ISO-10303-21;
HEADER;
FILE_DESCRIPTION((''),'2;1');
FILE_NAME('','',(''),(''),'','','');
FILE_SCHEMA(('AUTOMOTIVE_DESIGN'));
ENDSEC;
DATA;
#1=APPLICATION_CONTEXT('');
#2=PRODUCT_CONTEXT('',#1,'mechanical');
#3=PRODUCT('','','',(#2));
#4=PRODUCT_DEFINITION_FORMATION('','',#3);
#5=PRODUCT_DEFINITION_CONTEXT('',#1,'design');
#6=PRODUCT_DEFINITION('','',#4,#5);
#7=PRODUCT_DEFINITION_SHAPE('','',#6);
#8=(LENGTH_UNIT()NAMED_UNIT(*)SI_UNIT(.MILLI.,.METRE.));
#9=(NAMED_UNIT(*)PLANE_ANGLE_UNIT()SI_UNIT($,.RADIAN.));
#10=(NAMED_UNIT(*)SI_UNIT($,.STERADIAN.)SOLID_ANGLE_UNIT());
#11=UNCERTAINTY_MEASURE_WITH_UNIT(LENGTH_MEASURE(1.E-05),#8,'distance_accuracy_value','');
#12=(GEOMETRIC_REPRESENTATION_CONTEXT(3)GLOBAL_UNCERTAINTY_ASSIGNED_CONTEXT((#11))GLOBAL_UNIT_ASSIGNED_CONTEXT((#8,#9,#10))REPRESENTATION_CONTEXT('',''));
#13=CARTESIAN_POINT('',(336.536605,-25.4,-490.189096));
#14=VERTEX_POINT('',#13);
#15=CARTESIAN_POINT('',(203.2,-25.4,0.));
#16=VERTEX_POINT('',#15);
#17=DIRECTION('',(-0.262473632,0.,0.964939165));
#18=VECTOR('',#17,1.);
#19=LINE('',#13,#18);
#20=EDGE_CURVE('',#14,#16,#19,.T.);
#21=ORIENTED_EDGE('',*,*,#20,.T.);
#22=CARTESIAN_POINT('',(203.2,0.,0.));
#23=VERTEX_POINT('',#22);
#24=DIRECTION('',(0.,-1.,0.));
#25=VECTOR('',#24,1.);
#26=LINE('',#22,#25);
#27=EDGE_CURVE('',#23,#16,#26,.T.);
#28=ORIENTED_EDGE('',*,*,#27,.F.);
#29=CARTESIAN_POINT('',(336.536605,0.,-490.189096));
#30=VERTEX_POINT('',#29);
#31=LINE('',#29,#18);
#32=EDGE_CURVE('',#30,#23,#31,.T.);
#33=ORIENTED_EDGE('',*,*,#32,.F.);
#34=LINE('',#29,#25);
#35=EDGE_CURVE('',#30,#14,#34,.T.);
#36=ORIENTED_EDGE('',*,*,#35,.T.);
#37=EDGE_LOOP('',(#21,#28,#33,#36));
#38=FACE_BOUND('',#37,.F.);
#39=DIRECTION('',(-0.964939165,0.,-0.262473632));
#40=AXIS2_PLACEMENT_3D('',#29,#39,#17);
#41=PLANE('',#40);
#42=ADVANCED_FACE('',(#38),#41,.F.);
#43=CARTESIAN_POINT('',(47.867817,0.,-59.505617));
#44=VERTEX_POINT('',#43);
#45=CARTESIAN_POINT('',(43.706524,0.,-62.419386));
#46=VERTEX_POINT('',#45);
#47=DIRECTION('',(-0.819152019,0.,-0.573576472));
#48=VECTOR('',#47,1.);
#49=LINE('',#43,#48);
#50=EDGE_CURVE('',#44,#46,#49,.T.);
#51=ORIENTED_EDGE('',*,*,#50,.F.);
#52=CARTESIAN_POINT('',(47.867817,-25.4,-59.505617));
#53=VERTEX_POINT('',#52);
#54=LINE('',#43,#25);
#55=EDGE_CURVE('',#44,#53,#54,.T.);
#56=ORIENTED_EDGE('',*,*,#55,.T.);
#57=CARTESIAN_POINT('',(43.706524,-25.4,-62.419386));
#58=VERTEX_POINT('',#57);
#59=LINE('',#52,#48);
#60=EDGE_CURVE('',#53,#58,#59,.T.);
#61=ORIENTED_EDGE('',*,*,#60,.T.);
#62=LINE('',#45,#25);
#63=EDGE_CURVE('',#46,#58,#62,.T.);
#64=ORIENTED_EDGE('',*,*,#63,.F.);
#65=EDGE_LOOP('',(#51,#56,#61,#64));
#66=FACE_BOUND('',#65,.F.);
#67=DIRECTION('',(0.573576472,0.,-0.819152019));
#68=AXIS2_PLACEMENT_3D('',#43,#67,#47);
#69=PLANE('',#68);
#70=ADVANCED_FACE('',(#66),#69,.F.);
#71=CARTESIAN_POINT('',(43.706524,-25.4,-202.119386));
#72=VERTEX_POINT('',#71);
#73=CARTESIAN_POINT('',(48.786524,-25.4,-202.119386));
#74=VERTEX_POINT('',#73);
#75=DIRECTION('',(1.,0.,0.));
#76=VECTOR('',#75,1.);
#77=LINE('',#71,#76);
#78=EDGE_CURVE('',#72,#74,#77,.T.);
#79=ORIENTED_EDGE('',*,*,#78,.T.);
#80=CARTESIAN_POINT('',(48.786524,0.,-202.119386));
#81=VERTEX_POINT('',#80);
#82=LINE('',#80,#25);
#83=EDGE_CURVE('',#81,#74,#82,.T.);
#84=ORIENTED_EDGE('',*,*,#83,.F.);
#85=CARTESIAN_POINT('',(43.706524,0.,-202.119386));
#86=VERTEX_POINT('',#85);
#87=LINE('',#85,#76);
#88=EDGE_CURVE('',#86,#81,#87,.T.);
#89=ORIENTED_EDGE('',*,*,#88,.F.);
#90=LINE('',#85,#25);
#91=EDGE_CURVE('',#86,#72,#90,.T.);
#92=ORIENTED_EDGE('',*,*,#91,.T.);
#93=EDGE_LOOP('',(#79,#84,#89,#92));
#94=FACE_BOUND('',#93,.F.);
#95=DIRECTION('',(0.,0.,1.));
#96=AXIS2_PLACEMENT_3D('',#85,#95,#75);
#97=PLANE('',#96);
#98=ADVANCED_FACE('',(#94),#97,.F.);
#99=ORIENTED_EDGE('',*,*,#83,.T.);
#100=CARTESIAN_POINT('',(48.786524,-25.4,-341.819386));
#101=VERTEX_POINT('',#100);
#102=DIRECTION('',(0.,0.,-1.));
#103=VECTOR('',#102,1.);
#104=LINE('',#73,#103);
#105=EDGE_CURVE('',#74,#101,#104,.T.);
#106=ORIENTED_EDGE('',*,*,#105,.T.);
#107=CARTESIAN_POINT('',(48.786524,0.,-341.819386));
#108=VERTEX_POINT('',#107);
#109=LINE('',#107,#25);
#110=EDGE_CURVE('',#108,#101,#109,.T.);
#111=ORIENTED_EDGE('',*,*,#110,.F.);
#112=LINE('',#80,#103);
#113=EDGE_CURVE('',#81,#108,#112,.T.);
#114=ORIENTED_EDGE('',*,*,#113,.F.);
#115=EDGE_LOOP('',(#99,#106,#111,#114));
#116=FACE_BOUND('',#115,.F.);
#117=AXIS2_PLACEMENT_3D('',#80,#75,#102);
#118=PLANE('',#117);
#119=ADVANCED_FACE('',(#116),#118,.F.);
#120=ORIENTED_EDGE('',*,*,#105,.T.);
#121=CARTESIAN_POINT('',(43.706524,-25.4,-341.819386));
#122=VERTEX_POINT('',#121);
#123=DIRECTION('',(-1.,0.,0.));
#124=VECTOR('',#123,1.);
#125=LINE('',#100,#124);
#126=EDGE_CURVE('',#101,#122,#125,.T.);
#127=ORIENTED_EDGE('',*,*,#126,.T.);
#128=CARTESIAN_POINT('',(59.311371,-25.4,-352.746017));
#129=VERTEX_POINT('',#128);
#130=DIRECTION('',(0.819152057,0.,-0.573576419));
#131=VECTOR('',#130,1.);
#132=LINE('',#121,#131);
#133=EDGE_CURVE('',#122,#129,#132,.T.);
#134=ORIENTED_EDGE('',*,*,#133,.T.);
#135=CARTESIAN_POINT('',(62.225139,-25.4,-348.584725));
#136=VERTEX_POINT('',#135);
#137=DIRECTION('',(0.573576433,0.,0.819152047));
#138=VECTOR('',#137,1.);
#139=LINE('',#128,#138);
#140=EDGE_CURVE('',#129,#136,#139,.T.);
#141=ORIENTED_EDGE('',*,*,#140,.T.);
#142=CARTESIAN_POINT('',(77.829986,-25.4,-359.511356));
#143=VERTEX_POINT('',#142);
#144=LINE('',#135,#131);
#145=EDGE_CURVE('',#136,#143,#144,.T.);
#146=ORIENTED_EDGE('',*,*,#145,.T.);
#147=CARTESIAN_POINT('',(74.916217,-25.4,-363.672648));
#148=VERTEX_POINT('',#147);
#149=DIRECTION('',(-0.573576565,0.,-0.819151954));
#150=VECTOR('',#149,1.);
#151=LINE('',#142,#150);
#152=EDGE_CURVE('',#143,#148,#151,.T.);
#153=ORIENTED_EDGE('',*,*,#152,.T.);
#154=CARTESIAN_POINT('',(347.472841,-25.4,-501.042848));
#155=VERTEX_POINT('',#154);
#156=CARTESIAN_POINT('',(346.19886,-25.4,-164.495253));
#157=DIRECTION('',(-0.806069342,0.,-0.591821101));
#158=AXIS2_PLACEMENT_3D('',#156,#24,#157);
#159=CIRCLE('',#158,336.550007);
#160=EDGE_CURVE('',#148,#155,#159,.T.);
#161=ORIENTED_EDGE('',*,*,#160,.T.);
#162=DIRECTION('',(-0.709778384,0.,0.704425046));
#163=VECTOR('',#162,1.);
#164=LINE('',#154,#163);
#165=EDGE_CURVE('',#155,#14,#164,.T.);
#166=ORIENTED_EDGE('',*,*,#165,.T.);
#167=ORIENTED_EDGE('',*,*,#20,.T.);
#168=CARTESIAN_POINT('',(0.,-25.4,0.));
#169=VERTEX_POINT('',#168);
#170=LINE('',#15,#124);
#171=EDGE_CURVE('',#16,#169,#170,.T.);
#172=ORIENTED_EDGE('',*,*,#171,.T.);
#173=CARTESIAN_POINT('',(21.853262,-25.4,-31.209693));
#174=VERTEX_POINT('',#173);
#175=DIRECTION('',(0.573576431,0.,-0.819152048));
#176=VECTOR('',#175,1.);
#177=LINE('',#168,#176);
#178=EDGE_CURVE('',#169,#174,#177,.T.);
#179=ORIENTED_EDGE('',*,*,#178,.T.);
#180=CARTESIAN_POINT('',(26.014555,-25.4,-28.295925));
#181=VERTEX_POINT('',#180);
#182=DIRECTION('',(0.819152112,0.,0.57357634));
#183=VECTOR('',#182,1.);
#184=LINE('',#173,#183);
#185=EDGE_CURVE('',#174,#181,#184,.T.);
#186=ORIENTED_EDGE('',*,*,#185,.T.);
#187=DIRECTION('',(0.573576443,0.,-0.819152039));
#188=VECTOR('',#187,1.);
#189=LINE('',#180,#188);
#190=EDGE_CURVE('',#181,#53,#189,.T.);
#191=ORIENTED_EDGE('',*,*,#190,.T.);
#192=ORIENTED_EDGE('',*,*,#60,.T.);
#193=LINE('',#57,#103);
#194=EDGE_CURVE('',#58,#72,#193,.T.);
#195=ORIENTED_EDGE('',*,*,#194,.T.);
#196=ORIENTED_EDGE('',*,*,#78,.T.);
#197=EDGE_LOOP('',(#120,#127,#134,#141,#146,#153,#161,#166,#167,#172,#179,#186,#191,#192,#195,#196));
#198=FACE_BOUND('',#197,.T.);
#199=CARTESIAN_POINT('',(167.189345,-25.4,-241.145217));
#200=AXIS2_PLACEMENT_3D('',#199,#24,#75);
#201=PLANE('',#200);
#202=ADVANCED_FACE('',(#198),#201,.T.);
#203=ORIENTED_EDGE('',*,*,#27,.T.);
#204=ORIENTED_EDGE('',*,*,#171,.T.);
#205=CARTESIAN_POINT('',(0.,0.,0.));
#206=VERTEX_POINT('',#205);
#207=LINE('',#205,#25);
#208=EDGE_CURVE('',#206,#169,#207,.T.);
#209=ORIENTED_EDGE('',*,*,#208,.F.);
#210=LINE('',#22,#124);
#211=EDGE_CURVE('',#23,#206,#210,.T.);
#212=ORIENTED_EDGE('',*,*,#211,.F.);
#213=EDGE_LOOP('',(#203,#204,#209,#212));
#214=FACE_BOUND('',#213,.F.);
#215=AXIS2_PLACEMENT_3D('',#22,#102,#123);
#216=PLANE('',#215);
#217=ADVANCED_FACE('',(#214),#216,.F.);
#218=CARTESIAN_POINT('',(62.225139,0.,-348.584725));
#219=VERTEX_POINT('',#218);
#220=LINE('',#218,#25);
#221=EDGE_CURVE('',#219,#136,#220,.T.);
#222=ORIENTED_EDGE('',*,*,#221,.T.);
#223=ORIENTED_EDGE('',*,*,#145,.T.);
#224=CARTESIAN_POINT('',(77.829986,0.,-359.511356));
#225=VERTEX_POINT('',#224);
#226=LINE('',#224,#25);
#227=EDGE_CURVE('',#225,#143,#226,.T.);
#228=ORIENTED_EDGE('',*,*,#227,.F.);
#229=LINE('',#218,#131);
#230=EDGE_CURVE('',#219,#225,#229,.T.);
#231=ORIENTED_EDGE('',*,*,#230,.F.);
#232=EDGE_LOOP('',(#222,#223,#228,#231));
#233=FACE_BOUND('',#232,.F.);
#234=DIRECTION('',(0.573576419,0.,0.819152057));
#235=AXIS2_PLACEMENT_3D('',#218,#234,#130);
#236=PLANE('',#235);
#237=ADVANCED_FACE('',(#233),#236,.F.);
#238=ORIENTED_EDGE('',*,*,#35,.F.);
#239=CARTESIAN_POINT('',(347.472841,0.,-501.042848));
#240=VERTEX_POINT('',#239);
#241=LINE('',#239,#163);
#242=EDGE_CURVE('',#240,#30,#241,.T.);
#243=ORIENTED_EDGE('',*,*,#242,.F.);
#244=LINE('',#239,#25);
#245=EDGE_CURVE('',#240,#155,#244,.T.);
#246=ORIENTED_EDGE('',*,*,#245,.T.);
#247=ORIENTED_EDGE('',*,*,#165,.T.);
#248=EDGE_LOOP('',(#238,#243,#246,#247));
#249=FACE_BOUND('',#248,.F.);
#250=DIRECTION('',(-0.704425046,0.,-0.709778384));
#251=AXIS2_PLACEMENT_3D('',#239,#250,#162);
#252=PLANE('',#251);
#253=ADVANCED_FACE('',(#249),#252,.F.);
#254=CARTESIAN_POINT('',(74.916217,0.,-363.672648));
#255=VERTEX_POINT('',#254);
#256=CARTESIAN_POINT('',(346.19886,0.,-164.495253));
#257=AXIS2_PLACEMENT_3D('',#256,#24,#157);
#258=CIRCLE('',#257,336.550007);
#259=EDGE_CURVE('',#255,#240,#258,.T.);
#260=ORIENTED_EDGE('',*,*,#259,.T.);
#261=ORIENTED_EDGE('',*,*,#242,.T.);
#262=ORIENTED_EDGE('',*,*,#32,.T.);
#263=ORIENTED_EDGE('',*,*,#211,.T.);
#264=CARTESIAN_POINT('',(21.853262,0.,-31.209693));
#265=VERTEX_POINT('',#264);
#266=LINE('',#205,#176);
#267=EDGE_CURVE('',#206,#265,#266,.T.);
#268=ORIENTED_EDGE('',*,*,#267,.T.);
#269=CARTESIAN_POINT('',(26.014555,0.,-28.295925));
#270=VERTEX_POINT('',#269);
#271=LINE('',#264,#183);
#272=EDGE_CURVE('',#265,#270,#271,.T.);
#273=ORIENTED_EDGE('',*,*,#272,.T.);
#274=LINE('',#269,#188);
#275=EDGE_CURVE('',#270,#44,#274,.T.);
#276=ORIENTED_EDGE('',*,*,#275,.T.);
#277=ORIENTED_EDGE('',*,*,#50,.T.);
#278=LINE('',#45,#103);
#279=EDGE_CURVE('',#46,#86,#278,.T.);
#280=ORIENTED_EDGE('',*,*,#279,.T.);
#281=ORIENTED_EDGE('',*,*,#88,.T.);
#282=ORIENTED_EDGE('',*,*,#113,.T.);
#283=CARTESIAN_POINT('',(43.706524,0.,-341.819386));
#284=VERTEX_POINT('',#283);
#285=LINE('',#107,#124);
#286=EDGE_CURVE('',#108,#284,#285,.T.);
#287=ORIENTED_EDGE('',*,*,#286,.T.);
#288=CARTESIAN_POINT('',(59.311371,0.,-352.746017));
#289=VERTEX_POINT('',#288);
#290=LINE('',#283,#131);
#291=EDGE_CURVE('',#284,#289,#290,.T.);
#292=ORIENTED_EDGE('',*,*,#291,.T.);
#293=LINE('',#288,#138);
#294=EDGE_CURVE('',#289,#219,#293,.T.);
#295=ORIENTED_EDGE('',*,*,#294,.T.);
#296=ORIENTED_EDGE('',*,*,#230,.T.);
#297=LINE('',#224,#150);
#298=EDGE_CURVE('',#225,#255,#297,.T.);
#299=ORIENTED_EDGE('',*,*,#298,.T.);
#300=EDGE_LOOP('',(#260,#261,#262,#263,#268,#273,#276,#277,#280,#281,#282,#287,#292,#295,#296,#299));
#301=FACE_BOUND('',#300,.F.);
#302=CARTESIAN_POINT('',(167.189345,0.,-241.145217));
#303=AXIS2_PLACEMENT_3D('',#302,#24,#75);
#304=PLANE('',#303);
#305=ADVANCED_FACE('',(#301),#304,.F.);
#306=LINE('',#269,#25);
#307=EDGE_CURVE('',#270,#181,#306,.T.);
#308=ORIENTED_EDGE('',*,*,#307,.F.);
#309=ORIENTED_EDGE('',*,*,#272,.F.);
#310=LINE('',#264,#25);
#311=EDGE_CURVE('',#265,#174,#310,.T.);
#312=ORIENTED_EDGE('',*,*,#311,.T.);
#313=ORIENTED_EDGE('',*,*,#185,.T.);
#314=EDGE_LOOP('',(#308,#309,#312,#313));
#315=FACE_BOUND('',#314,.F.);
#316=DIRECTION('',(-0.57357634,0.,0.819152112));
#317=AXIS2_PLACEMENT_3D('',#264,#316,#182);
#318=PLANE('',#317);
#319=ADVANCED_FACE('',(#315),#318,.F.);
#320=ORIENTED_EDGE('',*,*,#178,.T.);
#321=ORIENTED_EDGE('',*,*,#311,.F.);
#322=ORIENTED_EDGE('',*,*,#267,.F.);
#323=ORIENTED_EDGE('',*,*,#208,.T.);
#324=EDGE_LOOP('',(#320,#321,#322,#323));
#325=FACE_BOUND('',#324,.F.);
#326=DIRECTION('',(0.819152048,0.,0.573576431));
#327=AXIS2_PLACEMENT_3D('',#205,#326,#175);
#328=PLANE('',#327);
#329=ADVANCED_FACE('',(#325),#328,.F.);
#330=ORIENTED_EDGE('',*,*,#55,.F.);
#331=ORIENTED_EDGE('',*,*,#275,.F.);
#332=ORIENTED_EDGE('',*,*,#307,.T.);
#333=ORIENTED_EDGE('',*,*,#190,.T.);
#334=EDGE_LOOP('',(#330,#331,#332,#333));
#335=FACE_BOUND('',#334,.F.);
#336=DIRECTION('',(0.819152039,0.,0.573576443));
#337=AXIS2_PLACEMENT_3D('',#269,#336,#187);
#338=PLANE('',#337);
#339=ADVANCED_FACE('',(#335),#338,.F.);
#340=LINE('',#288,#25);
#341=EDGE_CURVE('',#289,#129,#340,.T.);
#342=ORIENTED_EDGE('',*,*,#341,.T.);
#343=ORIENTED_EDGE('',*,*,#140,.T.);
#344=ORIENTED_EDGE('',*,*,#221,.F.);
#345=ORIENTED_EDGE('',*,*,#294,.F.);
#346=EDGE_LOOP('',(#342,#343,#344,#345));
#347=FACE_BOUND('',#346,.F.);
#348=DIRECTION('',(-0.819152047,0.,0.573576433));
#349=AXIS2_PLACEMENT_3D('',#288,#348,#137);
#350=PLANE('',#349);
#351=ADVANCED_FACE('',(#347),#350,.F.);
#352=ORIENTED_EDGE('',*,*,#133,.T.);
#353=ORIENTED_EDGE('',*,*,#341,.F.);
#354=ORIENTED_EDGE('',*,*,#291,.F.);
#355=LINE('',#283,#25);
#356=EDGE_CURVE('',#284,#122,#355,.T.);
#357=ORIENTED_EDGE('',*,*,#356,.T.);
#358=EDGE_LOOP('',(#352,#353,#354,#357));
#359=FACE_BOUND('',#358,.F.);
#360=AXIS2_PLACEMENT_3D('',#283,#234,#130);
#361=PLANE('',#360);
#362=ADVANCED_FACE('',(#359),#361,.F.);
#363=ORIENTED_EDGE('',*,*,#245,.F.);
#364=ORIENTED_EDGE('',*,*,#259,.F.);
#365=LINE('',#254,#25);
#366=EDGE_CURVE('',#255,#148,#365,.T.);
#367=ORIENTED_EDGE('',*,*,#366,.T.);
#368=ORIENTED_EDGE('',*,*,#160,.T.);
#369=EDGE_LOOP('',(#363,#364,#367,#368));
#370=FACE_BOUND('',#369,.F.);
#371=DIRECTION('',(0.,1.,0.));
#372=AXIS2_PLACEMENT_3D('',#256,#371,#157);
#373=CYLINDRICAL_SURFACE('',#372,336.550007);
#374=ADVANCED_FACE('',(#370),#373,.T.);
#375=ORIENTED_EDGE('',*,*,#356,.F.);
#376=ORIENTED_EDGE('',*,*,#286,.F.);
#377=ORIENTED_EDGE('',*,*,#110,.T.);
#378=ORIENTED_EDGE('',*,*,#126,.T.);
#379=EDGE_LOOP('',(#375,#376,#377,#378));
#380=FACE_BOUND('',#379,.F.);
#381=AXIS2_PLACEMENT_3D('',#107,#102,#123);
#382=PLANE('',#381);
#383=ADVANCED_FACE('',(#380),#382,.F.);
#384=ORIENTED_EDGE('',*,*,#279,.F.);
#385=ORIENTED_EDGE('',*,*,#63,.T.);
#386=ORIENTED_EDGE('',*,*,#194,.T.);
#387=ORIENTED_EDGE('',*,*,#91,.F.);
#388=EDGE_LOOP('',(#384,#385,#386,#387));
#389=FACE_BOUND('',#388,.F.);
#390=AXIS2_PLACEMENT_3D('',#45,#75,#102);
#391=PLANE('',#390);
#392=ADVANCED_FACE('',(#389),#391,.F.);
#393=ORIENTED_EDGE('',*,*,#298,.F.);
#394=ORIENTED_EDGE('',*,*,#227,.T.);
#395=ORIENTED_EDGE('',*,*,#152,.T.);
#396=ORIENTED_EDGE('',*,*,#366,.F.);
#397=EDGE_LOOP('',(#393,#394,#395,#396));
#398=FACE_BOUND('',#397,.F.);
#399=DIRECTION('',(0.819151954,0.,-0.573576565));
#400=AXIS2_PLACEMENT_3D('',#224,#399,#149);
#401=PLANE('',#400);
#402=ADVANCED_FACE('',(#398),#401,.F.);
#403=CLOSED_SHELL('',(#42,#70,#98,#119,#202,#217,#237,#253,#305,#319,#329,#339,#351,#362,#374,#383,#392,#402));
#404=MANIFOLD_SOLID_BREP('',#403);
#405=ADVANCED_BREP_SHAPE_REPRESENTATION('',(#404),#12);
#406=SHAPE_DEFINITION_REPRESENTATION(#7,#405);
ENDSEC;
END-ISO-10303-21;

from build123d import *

# Parameters (mm, degrees)
F1_DEPTH = 25.4


with BuildPart() as f1:
    # F0 (on Front) → F1 (new body)
    with BuildSketch(Plane.XZ):
        with BuildLine():
            Line((203.2, 0), (0, 0))
            Line((0, 0), (21.853262, -31.209693))
            Line((21.853262, -31.209693), (26.014555, -28.295925))
            Line((26.014555, -28.295925), (47.867817, -59.505617))
            Line((47.867817, -59.505617), (43.706524, -62.419386))
            Line((43.706524, -62.419386), (43.706524, -202.119386))
            Line((43.706524, -202.119386), (48.786524, -202.119386))
            Line((48.786524, -202.119386), (48.786524, -341.819386))
            Line((48.786524, -341.819386), (43.706524, -341.819386))
            Line((43.706524, -341.819386), (59.311371, -352.746017))
            Line((59.311371, -352.746017), (62.225139, -348.584725))
            Line((62.225139, -348.584725), (77.829986, -359.511356))
            Line((77.829986, -359.511356), (74.916217, -363.672648))
            ThreePointArc((74.916217, -363.672648), (194.72671, -465.031598), (347.472841, -501.042848))
            Line((347.472841, -501.042848), (336.536605, -490.189096))
            Line((336.536605, -490.189096), (203.2, 0))
        make_face()
    extrude(amount=F1_DEPTH)


solid = f1.part
